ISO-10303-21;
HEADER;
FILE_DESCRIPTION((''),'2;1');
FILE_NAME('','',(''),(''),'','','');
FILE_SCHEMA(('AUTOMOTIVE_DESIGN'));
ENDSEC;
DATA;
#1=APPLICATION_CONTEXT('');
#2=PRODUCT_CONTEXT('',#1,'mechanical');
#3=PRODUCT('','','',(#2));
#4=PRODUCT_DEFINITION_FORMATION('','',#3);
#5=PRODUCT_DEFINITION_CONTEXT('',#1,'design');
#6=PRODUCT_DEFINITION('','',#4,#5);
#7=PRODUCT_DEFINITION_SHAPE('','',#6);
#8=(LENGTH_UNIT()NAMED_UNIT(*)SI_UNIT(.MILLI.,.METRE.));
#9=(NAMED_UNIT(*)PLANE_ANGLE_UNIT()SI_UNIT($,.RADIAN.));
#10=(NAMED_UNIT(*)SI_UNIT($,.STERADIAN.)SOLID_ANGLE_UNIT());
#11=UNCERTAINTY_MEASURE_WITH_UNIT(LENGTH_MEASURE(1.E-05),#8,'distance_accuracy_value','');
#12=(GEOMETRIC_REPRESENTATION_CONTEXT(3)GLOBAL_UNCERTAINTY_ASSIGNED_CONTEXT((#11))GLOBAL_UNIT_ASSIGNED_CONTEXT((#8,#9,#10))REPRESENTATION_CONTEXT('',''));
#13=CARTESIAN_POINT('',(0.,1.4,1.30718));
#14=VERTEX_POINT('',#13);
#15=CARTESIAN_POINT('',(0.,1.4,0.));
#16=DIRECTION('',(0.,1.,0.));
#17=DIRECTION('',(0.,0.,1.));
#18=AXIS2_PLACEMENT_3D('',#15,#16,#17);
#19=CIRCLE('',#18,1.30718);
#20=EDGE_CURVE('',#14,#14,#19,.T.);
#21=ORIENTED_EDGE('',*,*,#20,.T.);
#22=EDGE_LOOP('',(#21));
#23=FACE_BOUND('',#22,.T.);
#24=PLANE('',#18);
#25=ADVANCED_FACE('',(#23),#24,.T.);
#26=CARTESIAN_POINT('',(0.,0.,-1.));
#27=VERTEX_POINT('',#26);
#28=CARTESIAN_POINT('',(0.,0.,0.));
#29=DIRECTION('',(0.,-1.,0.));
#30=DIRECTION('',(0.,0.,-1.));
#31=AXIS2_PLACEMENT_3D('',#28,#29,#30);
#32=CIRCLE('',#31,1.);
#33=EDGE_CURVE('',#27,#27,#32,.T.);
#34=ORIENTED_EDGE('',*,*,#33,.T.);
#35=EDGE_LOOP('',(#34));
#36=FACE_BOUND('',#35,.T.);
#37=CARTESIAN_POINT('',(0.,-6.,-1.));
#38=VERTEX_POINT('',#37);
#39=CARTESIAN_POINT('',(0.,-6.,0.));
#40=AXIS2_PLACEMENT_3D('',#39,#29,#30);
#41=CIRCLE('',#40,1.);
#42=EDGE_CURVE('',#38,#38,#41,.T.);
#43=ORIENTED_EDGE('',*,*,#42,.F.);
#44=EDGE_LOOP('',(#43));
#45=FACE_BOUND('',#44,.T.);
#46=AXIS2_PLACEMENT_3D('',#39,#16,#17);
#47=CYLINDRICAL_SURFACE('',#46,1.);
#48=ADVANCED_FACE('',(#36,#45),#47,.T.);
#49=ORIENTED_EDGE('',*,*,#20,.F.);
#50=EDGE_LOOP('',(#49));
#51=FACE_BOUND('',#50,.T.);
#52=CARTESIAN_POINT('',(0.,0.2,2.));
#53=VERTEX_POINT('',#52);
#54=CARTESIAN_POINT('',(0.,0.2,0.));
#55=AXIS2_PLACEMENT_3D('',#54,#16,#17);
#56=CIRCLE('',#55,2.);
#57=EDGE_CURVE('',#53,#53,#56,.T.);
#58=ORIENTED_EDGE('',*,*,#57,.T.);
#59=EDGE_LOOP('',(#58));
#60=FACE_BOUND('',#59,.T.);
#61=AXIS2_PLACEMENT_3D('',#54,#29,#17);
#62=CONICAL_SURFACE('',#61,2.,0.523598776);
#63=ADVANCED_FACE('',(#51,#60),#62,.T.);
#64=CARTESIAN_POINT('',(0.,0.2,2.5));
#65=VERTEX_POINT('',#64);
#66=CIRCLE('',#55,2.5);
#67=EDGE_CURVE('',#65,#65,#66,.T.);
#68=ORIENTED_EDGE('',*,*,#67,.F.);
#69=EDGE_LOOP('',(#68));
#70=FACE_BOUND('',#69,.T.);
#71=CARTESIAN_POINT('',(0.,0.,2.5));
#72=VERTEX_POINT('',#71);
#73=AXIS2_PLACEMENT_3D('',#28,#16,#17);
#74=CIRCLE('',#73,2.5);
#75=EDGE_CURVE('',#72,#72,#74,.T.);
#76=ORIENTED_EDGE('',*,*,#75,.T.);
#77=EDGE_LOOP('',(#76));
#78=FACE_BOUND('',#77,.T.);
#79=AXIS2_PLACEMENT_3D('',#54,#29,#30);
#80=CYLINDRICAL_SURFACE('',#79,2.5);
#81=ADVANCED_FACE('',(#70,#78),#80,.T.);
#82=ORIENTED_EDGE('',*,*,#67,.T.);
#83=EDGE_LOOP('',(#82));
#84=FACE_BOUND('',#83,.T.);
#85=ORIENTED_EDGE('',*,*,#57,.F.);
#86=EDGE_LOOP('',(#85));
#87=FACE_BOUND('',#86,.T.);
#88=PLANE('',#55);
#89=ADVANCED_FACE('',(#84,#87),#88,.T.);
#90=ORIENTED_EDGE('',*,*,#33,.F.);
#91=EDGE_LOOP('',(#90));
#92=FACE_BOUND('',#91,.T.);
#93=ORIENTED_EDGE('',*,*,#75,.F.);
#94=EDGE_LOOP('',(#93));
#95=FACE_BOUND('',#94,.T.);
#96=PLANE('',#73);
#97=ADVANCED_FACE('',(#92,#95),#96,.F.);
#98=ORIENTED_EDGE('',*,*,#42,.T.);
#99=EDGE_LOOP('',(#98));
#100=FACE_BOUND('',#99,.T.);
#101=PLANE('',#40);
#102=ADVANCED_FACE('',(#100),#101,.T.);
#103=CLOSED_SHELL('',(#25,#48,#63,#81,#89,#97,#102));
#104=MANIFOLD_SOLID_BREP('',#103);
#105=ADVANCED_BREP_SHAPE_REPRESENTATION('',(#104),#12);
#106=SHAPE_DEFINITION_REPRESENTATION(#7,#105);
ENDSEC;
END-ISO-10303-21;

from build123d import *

# Parameters (mm, degrees)
SKETCH_1_R      = 2.5
EXTRUDE_1_DEPTH = 0.2
SKETCH_2_R      = 1
EXTRUDE_2_DEPTH = 6
SKETCH_3_R      = 2
EXTRUDE_3_DEPTH = 1.2
EXTRUDE_3_TAPER = 30


with BuildPart() as part:
    # 스케치1 → 보스-돌출1 (new body)
    with BuildSketch(Plane(origin=(0, 0, 0), x_dir=(1, 0, 0), z_dir=(0, 1, 0))):
        with Locations(Location((0, 0, 0), (0, 0, 270))):
            Circle(SKETCH_1_R)
    extrude(amount=EXTRUDE_1_DEPTH)

    # 스케치2 → 보스-돌출2 (add)
    with BuildSketch(Plane.XZ):
        with Locations(Location((0, 0, 0), (0, 0, 270))):
            Circle(SKETCH_2_R)
    extrude(amount=EXTRUDE_2_DEPTH)

    # 스케치3 → 보스-돌출3 (add)
    with BuildSketch(Plane(origin=(0, 0.2, 0), x_dir=(1, 0, 0), z_dir=(0, 1, 0))):
        Circle(SKETCH_3_R)
    extrude(amount=EXTRUDE_3_DEPTH, taper=EXTRUDE_3_TAPER)


solid = part.part
